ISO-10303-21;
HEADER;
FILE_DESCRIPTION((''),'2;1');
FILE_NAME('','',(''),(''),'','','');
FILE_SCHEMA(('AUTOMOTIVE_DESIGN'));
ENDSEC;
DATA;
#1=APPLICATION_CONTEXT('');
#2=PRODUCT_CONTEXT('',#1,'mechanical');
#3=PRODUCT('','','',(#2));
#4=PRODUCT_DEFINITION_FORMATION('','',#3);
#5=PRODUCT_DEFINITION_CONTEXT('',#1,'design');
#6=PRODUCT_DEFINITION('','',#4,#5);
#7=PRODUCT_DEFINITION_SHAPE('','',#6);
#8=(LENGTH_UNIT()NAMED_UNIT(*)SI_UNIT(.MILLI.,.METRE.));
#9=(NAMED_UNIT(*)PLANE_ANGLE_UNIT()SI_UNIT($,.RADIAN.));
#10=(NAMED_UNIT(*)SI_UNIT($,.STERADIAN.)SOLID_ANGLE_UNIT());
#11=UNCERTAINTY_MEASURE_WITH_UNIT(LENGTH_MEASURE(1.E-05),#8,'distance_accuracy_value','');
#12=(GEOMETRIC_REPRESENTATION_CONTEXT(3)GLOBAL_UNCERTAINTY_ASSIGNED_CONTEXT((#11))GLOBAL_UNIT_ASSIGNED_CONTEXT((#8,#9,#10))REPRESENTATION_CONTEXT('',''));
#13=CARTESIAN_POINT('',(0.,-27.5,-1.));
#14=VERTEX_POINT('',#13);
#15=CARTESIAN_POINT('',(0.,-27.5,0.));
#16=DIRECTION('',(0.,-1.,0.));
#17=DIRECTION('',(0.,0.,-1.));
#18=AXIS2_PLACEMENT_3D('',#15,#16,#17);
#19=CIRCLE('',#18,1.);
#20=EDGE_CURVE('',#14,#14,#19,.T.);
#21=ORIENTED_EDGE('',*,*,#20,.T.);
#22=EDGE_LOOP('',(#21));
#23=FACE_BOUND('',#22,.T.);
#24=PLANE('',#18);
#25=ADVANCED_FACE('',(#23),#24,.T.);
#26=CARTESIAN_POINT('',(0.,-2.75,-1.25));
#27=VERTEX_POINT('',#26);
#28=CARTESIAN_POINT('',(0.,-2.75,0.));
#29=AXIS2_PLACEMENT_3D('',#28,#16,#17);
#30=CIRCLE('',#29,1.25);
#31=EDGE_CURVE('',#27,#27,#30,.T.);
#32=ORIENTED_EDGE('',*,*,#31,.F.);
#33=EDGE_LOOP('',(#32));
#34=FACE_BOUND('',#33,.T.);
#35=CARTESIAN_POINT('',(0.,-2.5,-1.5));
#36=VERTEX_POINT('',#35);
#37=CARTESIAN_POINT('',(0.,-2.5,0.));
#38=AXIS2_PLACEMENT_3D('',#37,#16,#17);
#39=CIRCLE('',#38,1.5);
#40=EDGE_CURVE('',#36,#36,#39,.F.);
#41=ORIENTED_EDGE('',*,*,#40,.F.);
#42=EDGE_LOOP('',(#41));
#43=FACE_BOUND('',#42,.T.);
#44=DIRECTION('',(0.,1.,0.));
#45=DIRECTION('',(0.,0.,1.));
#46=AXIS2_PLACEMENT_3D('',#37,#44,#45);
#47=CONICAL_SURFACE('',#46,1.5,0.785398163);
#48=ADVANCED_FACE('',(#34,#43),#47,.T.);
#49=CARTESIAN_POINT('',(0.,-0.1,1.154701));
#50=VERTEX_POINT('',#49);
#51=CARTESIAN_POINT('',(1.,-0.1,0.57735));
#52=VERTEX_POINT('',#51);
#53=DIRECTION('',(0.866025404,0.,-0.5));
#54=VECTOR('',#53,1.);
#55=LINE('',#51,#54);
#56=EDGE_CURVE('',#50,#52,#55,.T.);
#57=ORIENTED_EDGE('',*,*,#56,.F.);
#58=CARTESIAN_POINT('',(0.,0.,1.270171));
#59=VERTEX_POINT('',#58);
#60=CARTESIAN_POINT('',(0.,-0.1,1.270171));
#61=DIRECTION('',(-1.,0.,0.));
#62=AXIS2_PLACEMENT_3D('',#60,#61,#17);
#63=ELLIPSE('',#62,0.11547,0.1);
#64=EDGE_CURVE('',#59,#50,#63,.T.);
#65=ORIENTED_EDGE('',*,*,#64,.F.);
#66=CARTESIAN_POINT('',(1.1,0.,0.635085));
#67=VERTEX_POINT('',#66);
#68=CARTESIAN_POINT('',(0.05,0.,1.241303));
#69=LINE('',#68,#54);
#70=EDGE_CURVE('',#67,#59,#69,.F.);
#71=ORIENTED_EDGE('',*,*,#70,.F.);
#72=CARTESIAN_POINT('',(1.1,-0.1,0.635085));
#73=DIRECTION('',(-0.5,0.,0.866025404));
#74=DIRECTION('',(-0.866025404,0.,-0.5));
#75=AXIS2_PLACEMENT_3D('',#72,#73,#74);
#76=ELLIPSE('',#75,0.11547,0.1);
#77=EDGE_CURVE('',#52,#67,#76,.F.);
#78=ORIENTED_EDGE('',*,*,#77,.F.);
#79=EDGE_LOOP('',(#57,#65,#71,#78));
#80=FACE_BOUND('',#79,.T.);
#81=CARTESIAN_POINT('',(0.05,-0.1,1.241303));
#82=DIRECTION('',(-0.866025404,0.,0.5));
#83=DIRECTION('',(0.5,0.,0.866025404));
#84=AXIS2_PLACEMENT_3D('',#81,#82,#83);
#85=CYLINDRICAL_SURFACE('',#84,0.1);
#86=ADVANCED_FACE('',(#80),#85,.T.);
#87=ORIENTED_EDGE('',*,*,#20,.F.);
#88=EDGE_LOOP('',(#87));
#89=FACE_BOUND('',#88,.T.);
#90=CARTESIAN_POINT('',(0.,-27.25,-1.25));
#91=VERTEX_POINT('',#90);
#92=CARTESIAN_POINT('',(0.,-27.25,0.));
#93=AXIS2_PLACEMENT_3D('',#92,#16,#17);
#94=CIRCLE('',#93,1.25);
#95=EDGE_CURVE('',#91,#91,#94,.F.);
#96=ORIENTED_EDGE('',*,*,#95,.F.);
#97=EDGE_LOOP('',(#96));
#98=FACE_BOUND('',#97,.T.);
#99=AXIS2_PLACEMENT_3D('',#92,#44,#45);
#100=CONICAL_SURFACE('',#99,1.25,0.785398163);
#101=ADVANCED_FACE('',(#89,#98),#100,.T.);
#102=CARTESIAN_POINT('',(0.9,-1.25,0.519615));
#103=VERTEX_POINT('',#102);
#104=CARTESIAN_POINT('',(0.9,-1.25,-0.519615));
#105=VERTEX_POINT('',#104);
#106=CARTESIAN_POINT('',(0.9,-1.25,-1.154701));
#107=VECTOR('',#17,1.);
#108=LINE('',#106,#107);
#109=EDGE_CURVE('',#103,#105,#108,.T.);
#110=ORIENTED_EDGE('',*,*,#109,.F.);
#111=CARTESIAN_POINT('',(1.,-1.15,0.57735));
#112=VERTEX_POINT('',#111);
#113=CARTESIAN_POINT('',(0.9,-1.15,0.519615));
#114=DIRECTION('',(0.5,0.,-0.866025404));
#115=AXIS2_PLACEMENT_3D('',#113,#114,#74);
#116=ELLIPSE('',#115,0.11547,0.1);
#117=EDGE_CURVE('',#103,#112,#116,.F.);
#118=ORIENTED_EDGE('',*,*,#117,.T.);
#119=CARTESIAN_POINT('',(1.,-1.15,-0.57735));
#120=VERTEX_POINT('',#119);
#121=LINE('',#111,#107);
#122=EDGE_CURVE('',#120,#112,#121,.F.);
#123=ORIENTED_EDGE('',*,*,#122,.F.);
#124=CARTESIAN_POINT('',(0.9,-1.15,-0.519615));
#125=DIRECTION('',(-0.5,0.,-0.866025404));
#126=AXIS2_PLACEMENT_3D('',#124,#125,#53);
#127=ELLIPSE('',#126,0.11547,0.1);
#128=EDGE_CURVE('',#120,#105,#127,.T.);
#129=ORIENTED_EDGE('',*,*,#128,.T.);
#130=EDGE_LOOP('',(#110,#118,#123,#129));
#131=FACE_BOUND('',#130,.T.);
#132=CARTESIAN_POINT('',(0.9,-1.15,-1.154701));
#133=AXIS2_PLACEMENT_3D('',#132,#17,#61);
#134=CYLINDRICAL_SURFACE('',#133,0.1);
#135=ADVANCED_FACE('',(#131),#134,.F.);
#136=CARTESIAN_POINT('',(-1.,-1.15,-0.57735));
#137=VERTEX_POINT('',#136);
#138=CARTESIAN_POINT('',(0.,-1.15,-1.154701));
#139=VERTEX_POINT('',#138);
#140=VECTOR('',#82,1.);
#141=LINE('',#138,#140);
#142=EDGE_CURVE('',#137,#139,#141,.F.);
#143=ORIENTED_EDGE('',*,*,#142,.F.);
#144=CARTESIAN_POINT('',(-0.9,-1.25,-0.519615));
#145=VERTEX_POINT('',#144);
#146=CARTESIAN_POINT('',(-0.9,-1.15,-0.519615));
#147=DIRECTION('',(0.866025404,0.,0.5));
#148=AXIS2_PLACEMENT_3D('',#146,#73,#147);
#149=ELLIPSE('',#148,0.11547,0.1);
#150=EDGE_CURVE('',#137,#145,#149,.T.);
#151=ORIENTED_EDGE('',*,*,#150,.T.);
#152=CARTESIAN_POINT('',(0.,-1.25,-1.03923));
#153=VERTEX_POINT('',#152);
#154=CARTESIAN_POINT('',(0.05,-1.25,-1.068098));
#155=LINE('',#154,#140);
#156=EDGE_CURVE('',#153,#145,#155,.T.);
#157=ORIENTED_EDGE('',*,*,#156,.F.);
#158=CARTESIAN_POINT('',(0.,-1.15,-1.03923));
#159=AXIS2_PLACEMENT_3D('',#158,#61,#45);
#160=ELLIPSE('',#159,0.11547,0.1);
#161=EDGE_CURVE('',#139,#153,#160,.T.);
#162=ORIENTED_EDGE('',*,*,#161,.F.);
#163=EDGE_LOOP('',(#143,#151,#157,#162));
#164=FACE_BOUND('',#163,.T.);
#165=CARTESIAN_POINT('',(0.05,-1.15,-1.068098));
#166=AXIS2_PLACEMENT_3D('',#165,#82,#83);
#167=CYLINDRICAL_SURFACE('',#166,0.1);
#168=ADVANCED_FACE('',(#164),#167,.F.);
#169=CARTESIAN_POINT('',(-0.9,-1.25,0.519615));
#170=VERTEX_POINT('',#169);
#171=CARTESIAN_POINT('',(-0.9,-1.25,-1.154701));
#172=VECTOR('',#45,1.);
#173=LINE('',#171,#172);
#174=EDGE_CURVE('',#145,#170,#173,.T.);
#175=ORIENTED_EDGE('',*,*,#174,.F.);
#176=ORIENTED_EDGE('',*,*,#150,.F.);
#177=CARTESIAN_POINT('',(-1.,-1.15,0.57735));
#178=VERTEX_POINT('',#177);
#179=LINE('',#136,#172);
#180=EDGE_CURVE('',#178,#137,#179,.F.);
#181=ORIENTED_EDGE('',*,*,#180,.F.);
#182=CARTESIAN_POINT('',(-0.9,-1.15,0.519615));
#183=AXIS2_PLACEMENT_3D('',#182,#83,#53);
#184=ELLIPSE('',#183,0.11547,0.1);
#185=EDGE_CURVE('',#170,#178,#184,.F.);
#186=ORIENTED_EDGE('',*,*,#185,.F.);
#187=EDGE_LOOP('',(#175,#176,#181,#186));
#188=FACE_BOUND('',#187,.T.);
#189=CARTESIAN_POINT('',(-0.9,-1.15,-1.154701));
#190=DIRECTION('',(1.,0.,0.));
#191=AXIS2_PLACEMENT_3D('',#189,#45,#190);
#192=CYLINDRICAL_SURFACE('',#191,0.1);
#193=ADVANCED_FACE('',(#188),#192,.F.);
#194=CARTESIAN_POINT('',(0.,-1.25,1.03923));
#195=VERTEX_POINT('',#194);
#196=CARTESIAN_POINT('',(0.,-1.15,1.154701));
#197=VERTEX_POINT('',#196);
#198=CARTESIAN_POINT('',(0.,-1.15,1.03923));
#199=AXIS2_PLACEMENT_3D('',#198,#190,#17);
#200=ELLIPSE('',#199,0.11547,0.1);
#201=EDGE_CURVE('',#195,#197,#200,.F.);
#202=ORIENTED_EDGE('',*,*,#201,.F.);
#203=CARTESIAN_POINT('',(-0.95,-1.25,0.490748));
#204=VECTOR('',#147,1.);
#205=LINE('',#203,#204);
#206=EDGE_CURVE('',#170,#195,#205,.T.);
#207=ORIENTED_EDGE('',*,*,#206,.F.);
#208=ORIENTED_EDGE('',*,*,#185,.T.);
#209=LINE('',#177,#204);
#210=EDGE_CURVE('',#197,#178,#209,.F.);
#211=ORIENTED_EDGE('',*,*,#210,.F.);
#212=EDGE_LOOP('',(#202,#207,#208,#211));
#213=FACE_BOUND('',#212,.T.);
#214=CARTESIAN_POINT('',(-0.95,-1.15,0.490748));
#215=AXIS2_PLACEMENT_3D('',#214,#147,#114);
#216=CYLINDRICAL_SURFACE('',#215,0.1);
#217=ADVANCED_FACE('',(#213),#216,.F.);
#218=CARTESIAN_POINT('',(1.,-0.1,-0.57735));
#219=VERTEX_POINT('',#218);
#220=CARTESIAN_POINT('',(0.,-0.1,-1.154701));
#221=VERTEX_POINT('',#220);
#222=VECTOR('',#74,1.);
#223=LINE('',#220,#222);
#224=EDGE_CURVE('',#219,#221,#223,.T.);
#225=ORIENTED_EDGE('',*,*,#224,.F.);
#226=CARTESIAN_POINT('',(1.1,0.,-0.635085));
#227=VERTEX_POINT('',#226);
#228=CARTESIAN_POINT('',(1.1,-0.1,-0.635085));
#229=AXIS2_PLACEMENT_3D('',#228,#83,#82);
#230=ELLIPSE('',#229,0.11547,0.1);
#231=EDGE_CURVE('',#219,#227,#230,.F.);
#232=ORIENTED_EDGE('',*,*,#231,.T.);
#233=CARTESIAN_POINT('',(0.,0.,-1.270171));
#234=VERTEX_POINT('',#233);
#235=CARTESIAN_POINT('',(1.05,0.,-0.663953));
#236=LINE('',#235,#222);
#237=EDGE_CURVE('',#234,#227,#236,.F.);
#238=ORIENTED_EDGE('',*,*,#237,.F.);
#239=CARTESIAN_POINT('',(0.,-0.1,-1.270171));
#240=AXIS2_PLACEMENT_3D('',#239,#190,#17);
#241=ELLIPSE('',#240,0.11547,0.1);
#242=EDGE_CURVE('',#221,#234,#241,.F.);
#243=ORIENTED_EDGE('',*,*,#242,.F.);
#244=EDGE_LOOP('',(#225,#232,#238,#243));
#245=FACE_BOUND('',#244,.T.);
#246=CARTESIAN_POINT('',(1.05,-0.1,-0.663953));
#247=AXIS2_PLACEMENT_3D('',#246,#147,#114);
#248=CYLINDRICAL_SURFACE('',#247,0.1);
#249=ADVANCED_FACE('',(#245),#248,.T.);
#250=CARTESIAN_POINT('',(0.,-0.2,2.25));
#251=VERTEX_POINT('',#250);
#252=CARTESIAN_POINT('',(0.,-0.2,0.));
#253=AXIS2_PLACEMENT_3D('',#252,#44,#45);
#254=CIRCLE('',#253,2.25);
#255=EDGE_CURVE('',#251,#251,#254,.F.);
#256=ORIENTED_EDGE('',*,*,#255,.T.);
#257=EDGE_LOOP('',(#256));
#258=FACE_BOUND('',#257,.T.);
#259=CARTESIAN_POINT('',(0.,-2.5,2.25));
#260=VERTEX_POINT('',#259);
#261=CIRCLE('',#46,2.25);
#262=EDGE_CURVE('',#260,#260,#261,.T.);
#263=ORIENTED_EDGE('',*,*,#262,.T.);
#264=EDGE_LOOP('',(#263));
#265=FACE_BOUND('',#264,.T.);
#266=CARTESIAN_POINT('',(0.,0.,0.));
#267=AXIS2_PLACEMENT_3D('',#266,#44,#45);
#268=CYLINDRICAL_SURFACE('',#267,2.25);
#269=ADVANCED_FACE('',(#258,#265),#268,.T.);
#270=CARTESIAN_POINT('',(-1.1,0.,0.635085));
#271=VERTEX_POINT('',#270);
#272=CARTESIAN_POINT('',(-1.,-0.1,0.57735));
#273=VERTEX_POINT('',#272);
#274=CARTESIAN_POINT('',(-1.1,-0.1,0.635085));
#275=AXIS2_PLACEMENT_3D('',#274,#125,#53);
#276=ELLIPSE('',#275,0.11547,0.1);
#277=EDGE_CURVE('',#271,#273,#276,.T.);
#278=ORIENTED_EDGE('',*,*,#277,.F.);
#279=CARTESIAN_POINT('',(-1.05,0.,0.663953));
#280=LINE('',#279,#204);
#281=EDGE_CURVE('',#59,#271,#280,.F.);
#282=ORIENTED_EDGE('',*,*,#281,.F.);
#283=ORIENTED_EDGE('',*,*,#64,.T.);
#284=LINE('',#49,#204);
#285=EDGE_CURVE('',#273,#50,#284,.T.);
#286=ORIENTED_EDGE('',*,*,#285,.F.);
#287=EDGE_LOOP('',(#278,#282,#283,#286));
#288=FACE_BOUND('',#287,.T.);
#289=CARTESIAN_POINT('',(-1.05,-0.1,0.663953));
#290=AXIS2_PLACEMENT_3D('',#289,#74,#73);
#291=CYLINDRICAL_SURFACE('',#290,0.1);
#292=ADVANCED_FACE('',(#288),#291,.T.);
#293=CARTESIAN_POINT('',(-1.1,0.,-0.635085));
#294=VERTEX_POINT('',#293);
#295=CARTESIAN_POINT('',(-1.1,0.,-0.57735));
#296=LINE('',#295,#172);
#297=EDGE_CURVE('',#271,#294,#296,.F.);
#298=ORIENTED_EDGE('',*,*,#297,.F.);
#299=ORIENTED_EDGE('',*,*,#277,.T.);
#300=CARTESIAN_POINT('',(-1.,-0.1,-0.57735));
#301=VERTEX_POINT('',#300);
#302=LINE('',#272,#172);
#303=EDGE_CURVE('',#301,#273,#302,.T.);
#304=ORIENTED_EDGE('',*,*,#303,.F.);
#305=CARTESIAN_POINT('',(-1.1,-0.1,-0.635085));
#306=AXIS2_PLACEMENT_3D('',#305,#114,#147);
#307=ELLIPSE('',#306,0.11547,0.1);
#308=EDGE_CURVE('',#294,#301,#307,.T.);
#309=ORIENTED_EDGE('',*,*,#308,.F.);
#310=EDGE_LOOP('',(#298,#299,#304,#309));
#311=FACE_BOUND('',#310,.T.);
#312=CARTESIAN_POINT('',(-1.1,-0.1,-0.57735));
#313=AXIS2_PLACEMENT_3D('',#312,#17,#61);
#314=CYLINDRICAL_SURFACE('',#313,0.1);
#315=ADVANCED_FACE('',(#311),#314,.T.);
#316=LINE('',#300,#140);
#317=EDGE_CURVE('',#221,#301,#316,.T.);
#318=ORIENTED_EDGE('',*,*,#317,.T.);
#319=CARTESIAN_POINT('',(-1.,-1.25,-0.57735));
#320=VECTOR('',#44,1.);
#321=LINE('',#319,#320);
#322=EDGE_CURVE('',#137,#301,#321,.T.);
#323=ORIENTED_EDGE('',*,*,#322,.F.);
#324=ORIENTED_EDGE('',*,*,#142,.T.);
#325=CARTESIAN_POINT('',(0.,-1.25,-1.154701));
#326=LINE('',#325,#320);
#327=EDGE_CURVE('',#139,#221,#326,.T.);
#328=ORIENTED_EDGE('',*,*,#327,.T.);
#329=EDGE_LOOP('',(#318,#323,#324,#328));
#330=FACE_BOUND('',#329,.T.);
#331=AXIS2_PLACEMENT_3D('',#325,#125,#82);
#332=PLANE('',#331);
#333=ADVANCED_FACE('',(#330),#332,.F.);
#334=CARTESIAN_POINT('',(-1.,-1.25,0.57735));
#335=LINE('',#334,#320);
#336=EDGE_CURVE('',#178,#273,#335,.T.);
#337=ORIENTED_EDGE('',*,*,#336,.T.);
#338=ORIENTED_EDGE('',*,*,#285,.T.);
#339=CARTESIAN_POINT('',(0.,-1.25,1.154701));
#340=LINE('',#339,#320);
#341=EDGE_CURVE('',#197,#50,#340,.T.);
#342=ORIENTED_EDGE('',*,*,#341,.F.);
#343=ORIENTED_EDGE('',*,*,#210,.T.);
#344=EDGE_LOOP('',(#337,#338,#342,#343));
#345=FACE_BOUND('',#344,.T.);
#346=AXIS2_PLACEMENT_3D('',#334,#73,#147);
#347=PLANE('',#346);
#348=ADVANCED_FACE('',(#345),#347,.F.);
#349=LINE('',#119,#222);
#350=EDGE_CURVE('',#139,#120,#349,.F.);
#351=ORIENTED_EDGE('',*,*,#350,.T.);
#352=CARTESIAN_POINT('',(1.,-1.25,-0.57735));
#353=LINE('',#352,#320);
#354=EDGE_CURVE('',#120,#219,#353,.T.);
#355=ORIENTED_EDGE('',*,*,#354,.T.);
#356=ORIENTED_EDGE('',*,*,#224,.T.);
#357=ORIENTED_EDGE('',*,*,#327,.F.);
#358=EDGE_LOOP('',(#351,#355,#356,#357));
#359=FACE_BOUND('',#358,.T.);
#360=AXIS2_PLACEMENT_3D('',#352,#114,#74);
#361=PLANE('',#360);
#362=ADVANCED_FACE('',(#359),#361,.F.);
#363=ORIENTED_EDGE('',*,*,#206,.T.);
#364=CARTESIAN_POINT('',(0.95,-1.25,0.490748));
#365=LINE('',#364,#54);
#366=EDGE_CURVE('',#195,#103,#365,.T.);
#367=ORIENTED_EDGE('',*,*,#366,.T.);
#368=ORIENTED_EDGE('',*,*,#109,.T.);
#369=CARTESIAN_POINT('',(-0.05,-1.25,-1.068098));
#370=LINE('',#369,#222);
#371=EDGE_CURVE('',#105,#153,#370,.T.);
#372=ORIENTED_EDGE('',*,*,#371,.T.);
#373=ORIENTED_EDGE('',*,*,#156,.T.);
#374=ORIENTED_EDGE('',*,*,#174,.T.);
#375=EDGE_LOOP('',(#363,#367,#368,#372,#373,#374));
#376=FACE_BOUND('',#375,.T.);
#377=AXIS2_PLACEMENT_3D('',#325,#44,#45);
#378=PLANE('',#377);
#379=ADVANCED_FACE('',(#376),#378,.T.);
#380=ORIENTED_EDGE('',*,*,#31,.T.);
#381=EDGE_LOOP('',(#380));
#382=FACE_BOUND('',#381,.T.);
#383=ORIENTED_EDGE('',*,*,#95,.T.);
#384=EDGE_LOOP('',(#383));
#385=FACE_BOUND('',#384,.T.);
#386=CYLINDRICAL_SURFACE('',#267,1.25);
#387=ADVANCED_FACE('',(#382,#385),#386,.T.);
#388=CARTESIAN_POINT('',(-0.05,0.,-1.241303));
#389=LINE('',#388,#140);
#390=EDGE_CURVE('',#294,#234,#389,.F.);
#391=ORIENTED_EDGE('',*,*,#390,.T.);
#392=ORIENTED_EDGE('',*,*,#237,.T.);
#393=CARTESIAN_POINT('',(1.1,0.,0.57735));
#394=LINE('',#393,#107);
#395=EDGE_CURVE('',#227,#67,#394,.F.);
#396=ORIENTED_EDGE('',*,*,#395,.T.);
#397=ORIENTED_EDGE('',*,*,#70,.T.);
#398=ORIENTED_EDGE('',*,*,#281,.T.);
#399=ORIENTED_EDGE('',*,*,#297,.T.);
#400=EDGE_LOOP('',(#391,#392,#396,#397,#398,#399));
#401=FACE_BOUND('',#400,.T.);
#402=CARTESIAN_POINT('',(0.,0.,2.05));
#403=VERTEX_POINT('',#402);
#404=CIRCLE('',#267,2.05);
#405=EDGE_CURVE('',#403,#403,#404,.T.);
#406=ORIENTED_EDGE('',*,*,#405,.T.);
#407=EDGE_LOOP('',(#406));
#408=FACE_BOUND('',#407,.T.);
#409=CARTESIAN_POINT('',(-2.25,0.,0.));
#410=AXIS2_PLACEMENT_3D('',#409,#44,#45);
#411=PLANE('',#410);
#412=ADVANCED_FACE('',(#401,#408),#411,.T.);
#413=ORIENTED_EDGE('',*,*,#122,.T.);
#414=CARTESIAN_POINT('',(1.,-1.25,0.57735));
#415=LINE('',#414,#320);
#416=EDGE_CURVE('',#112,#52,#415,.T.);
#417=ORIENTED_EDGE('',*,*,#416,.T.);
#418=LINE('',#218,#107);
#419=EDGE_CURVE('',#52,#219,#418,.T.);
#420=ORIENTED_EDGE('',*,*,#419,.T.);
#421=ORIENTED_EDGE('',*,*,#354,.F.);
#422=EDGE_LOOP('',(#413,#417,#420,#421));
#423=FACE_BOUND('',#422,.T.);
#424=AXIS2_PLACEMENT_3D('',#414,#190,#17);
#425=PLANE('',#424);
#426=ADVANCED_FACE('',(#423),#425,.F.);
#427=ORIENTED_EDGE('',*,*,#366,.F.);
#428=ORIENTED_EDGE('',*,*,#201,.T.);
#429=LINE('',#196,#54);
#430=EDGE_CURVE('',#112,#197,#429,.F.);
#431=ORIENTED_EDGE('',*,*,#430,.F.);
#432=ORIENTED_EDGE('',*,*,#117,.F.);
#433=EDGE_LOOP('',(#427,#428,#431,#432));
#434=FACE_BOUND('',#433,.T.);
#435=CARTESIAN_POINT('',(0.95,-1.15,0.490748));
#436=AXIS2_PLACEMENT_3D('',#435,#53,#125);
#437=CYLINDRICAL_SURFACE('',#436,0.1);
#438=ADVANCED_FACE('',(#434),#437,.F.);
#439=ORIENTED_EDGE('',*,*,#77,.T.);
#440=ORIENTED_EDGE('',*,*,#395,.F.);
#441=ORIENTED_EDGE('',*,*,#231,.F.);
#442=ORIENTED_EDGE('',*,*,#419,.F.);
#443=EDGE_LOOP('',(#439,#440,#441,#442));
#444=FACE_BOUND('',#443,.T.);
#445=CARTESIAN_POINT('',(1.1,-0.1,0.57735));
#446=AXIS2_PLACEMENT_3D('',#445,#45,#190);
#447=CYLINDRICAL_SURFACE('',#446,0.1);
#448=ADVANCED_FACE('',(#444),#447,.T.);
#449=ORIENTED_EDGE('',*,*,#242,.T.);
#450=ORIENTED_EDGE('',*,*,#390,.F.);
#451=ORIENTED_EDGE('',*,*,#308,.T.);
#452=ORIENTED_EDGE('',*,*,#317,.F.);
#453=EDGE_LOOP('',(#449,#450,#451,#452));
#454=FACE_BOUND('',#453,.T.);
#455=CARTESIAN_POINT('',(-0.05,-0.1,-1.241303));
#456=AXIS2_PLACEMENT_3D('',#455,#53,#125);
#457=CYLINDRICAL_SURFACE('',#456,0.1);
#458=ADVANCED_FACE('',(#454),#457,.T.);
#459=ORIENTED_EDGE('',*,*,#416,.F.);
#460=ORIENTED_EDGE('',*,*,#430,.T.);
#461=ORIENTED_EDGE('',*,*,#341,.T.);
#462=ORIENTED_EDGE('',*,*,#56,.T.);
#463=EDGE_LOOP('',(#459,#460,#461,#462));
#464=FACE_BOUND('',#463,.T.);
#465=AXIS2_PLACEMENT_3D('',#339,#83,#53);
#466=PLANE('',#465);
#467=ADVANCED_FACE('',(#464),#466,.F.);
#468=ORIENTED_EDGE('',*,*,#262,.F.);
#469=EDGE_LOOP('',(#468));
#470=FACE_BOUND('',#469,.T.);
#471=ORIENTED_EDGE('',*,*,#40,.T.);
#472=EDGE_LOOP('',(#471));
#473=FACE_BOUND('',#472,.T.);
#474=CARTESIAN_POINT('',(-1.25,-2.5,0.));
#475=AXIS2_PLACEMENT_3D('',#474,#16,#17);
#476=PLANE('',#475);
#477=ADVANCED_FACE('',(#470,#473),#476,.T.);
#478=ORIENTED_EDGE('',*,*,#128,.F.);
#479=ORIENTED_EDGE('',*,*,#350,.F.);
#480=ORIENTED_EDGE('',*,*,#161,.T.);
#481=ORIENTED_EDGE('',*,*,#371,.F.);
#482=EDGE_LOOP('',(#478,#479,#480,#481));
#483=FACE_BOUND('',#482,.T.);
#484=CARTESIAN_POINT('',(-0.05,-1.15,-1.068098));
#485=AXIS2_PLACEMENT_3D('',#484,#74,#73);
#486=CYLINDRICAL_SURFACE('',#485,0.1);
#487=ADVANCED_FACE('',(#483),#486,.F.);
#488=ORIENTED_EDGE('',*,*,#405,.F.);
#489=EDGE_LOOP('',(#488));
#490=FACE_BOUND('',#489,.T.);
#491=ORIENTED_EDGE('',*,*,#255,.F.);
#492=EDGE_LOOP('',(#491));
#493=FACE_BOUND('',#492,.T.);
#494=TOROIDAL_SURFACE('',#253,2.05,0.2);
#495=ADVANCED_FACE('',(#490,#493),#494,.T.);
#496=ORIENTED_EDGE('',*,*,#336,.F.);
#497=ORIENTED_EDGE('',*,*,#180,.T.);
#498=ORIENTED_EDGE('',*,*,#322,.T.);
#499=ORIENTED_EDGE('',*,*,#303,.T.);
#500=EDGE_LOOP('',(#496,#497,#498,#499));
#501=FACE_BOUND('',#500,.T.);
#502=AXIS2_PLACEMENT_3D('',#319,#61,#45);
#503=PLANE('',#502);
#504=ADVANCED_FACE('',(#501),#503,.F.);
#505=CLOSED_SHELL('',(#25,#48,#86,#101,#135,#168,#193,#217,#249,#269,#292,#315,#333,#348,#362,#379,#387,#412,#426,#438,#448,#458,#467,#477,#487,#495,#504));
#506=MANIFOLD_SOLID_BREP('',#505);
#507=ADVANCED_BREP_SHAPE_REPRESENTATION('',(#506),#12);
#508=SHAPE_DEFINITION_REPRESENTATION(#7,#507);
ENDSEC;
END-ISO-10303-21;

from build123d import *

# Parameters (mm, degrees)
CHAMFER1_SIZE      = 0.25
FILLET1_R          = 0.2
CUT_EXTRUDE1_DEPTH = 1.25
FILLET2_R          = 0.1


with BuildPart() as part:
    # Sketch1 → Revolve1 (revolve)
    with BuildSketch(Plane.XY, mode=Mode.PRIVATE) as revolve1_sk:
        Polygon((0, -27.5), (-1.25, -27.5), (-1.25, -2.5), (-2.25, -2.5), (-2.25, 0), (0, 0), align=None)
    revolve(revolve1_sk.sketch.rotate(Axis((0, 0, 0), (0, -1, 0)), 270), axis=Axis((0, 0, 0), (0, -1, 0)))

    # Chamfer1
    chamfer1_edges = [part.edges().sort_by_distance(p)[0] for p in [
        (0, -2.5, -1.25),
        (0, -27.5, -1.25),
    ]]
    chamfer(chamfer1_edges, length=CHAMFER1_SIZE)

    # Fillet1
    fillet1_edges = [part.edges().sort_by_distance(p)[0] for p in [
        (0, 0, -2.25),
    ]]
    fillet(fillet1_edges, radius=FILLET1_R)

    # Sketch2 → Cut-Extrude1 (cut)
    with BuildSketch(Plane(origin=(0, 0, 0), x_dir=(1, 0, 0), z_dir=(0, 1, 0))):
        Polygon((0, 1.154700538), (-1, 0.577350269), (-1, -0.577350269), (0, -1.154700538), (1, -0.577350269), (1, 0.577350269), align=None)
    extrude(amount=-CUT_EXTRUDE1_DEPTH, mode=Mode.SUBTRACT)

    # Fillet2
    fillet2_edges = [part.edges().sort_by_distance(p)[0] for p in [
        (0.5, -1.25, -0.866025404),
        (1, -1.25, 0),
        (0.5, -1.25, 0.866025404),
        (-0.5, -1.25, 0.866025404),
        (-1, -1.25, 0),
        (-0.5, -1.25, -0.866025404),
        (0.4999999999999987, 0, -0.8660254037844397),
        (-0.5000000000000006, 0, -0.8660254037844395),
        (-1, 0, 0),
        (-0.5000000000000007, 0, 0.8660254037844379),
        (0.4999999999999988, 0, 0.8660254037844382),
        (1, 0, 0),
    ]]
    fillet(fillet2_edges, radius=FILLET2_R)


solid = part.part
